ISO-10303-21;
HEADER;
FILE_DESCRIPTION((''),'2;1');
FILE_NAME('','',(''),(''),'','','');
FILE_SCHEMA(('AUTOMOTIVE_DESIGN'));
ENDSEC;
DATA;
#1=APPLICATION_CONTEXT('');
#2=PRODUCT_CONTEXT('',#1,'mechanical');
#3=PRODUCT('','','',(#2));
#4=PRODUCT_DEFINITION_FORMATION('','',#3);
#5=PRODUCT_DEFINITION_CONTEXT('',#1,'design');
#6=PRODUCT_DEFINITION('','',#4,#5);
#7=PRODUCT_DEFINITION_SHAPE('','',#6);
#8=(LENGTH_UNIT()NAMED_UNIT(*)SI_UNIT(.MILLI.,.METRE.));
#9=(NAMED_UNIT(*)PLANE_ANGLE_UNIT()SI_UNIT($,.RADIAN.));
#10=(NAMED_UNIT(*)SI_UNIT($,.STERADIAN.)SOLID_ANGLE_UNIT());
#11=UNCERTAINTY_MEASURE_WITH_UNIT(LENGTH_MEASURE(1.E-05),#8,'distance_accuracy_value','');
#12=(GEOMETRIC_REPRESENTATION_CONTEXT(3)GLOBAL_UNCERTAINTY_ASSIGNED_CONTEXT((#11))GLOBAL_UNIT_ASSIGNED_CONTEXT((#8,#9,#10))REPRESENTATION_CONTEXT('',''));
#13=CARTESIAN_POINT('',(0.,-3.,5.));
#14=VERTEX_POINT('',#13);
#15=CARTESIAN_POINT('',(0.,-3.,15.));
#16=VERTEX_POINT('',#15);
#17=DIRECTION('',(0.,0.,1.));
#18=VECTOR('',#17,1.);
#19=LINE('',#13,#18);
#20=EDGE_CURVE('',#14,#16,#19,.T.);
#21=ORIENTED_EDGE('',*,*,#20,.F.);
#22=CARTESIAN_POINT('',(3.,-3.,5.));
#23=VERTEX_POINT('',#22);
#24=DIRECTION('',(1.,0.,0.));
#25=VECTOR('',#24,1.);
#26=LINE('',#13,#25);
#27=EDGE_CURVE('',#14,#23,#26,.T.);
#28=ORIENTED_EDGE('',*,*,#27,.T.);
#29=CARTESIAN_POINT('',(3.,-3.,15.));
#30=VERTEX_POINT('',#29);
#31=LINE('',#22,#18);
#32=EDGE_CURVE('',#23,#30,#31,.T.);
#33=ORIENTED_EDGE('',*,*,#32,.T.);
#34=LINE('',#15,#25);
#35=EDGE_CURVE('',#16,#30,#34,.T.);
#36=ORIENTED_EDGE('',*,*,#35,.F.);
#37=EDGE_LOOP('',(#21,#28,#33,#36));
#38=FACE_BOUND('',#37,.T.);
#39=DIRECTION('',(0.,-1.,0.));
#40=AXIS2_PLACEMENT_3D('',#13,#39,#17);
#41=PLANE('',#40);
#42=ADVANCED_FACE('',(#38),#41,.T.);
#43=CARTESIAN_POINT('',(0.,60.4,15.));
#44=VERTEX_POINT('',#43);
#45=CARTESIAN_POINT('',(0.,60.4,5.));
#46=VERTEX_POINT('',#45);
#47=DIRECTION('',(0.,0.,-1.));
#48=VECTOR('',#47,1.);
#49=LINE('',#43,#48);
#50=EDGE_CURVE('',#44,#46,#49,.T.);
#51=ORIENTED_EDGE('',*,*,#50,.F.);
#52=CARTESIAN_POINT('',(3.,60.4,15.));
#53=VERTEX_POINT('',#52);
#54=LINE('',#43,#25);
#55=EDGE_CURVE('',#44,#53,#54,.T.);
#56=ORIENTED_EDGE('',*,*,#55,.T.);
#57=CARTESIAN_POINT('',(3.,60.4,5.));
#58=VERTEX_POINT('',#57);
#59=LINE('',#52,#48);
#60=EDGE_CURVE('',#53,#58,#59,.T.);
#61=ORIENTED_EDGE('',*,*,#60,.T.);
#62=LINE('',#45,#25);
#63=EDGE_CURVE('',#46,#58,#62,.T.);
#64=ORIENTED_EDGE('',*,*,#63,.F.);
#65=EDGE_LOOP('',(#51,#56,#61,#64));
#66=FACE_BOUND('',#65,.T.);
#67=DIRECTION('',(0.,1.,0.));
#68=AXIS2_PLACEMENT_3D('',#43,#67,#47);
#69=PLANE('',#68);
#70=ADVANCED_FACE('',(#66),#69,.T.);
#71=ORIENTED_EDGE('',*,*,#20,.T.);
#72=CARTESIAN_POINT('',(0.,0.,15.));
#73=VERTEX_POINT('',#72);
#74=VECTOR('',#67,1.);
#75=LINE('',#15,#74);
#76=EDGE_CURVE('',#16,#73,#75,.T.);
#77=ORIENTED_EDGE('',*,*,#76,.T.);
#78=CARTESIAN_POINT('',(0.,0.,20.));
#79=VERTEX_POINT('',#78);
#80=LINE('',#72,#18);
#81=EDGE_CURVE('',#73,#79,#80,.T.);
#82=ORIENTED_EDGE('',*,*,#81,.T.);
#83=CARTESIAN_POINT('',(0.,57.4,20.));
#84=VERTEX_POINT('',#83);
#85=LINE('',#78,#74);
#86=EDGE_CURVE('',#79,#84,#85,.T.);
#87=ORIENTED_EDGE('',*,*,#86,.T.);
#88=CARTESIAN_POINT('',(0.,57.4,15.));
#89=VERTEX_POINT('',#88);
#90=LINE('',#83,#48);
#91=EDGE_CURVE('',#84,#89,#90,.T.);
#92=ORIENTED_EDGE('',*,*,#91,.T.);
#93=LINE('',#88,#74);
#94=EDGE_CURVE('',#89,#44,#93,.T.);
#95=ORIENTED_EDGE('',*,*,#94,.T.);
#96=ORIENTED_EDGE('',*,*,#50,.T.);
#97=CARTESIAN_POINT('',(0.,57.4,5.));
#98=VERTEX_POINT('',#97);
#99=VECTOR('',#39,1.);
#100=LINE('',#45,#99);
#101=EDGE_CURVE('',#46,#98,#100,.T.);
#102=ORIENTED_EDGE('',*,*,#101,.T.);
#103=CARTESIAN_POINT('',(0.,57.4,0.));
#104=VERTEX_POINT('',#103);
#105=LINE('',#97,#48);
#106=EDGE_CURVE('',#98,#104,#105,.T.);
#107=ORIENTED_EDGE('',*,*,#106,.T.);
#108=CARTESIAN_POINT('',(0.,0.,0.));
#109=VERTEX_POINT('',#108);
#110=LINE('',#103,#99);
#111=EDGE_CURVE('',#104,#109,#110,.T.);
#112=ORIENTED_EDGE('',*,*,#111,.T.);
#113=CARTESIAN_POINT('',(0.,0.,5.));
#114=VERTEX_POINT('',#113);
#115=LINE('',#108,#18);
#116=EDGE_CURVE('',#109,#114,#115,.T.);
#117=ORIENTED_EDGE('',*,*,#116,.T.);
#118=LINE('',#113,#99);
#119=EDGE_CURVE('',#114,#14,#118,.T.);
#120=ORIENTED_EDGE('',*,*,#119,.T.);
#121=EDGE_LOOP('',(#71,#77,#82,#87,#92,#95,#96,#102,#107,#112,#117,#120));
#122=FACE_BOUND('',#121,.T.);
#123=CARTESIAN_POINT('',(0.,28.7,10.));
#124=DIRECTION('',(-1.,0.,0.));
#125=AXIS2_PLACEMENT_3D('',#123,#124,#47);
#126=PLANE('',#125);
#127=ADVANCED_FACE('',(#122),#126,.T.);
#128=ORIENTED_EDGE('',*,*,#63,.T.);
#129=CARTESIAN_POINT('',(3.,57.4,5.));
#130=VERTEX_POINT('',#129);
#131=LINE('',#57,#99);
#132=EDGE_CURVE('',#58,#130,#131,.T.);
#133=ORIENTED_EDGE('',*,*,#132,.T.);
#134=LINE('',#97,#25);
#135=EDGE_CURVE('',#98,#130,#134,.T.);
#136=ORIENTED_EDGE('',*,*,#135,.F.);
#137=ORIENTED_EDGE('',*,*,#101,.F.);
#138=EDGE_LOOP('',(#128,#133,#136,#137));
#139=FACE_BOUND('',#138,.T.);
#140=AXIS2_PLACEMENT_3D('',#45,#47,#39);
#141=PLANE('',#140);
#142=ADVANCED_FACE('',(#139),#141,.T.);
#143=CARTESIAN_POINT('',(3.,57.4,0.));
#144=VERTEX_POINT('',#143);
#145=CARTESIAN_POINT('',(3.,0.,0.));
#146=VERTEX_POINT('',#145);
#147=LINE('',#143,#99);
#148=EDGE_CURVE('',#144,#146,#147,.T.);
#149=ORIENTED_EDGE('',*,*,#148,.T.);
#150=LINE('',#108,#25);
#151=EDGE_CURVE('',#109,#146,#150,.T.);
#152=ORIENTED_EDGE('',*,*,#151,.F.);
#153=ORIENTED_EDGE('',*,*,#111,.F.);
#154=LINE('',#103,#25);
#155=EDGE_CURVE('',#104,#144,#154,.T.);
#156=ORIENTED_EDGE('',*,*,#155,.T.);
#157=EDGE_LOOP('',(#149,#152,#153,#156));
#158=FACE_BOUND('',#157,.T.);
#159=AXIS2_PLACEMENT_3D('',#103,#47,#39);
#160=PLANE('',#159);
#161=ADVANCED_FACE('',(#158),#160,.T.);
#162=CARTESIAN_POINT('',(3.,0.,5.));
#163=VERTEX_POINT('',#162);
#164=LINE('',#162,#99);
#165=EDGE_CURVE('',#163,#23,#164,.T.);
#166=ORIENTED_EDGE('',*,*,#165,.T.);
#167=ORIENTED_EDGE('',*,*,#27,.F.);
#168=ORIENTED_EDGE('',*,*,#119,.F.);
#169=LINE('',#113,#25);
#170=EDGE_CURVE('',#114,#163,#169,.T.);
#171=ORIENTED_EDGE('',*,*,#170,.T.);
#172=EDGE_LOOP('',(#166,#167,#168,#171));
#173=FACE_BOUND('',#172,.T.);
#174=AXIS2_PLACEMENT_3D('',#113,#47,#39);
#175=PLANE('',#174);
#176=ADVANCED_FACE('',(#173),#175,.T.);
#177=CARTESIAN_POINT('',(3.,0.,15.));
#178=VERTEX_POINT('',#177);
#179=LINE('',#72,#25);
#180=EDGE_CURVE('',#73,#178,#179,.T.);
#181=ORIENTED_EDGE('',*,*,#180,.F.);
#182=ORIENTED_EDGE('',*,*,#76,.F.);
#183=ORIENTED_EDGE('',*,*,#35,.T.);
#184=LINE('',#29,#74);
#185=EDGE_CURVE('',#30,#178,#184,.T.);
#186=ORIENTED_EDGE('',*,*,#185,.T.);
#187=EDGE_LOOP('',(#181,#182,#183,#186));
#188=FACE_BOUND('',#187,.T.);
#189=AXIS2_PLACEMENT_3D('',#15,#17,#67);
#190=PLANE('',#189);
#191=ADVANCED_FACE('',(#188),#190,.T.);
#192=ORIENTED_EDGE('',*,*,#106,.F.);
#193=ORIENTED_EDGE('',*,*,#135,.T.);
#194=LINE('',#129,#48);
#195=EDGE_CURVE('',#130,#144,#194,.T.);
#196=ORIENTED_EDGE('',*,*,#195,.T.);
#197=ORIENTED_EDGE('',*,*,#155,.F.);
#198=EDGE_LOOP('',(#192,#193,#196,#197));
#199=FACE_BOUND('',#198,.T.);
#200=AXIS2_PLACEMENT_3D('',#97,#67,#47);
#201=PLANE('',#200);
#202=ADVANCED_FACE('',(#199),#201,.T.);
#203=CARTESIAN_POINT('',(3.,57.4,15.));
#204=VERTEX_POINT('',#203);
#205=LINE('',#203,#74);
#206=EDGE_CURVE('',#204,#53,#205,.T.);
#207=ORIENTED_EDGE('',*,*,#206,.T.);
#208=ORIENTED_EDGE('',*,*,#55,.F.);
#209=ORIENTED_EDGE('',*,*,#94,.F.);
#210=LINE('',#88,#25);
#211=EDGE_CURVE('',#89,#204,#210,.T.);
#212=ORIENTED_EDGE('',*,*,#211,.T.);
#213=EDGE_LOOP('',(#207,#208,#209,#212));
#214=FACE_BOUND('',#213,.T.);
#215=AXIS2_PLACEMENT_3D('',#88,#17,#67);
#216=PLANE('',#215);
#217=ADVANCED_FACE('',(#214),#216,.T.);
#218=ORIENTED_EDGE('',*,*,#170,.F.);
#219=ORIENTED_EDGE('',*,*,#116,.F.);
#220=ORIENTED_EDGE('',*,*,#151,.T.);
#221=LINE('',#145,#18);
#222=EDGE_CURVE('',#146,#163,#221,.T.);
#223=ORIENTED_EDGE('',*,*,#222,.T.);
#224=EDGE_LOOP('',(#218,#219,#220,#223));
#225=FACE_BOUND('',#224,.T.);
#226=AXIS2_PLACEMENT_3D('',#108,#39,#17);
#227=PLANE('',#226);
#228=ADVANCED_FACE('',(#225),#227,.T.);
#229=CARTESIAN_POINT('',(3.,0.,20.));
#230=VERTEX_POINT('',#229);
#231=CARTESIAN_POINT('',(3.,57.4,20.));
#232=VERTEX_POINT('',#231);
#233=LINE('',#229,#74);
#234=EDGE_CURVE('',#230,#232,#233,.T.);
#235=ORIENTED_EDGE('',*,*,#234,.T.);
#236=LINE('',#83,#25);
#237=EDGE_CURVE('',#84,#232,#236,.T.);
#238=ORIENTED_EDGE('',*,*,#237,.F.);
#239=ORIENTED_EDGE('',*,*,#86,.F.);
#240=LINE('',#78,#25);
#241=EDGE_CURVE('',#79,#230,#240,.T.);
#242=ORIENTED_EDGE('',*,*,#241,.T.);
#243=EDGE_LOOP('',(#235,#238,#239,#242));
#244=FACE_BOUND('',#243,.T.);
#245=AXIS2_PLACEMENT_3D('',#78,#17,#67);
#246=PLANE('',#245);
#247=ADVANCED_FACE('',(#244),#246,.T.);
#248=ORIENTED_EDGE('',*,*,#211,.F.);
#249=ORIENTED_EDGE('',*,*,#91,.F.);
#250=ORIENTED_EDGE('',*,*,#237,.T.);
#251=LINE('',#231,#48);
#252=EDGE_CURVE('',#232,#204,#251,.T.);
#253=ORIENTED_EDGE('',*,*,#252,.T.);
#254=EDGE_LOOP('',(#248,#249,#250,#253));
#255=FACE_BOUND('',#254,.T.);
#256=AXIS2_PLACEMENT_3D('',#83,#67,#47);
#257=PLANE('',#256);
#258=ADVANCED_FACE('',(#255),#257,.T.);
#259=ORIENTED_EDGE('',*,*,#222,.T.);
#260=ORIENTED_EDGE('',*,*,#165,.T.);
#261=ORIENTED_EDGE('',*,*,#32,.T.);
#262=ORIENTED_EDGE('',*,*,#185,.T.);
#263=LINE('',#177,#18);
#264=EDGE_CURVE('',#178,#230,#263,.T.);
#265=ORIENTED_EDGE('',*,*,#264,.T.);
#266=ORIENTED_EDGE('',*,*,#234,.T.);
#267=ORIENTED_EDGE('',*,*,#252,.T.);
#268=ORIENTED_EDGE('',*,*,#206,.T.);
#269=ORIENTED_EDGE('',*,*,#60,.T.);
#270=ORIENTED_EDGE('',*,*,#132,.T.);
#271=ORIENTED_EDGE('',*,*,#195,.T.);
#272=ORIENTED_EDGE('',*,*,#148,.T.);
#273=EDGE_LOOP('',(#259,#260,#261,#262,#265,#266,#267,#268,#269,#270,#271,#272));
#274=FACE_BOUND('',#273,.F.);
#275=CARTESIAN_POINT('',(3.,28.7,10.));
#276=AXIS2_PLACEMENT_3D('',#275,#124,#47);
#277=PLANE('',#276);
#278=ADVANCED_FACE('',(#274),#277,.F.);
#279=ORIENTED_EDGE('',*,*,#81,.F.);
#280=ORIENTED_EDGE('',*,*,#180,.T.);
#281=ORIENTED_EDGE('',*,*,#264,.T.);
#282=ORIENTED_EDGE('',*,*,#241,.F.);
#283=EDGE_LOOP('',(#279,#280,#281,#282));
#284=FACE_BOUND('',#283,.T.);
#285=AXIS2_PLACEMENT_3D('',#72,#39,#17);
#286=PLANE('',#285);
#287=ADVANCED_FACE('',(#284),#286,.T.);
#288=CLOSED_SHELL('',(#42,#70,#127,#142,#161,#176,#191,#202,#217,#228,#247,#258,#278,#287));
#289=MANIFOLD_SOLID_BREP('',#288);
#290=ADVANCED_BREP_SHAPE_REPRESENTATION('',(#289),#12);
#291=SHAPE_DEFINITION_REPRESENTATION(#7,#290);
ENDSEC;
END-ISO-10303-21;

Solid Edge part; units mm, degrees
sketch "Sketch1" plane through (0, 0, 0) normal (1, 0, 0) x (0, 1, 0)
  line L0 (0, 20) -> (57.4, 20)
  line L1 (57.4, 20) -> (57.4, 15)
  line L2 (57.4, 15) -> (60.4, 15)
  line L3 (60.4, 15) -> (60.4, 5)
  line L4 (60.4, 5) -> (57.4, 5)
  line L5 (57.4, 5) -> (57.4, 0)
  line L6 (57.4, 0) -> (0, 0)
  line L7 (0, 0) -> (0, 5)
  line L8 (0, 5) -> (-3, 5)
  line L9 (-3, 5) -> (-3, 15)
  line L10 (-3, 15) -> (0, 15)
  line L11 (0, 15) -> (0, 20)
  dimension "D1" = 57.4
  dimension "D2" = 3
  dimension "D3" = 10
  dimension "D4" = 5
extrude "Protrusion1" add sketch "Sketch1" along normal blind 3
properties material "Acier"
